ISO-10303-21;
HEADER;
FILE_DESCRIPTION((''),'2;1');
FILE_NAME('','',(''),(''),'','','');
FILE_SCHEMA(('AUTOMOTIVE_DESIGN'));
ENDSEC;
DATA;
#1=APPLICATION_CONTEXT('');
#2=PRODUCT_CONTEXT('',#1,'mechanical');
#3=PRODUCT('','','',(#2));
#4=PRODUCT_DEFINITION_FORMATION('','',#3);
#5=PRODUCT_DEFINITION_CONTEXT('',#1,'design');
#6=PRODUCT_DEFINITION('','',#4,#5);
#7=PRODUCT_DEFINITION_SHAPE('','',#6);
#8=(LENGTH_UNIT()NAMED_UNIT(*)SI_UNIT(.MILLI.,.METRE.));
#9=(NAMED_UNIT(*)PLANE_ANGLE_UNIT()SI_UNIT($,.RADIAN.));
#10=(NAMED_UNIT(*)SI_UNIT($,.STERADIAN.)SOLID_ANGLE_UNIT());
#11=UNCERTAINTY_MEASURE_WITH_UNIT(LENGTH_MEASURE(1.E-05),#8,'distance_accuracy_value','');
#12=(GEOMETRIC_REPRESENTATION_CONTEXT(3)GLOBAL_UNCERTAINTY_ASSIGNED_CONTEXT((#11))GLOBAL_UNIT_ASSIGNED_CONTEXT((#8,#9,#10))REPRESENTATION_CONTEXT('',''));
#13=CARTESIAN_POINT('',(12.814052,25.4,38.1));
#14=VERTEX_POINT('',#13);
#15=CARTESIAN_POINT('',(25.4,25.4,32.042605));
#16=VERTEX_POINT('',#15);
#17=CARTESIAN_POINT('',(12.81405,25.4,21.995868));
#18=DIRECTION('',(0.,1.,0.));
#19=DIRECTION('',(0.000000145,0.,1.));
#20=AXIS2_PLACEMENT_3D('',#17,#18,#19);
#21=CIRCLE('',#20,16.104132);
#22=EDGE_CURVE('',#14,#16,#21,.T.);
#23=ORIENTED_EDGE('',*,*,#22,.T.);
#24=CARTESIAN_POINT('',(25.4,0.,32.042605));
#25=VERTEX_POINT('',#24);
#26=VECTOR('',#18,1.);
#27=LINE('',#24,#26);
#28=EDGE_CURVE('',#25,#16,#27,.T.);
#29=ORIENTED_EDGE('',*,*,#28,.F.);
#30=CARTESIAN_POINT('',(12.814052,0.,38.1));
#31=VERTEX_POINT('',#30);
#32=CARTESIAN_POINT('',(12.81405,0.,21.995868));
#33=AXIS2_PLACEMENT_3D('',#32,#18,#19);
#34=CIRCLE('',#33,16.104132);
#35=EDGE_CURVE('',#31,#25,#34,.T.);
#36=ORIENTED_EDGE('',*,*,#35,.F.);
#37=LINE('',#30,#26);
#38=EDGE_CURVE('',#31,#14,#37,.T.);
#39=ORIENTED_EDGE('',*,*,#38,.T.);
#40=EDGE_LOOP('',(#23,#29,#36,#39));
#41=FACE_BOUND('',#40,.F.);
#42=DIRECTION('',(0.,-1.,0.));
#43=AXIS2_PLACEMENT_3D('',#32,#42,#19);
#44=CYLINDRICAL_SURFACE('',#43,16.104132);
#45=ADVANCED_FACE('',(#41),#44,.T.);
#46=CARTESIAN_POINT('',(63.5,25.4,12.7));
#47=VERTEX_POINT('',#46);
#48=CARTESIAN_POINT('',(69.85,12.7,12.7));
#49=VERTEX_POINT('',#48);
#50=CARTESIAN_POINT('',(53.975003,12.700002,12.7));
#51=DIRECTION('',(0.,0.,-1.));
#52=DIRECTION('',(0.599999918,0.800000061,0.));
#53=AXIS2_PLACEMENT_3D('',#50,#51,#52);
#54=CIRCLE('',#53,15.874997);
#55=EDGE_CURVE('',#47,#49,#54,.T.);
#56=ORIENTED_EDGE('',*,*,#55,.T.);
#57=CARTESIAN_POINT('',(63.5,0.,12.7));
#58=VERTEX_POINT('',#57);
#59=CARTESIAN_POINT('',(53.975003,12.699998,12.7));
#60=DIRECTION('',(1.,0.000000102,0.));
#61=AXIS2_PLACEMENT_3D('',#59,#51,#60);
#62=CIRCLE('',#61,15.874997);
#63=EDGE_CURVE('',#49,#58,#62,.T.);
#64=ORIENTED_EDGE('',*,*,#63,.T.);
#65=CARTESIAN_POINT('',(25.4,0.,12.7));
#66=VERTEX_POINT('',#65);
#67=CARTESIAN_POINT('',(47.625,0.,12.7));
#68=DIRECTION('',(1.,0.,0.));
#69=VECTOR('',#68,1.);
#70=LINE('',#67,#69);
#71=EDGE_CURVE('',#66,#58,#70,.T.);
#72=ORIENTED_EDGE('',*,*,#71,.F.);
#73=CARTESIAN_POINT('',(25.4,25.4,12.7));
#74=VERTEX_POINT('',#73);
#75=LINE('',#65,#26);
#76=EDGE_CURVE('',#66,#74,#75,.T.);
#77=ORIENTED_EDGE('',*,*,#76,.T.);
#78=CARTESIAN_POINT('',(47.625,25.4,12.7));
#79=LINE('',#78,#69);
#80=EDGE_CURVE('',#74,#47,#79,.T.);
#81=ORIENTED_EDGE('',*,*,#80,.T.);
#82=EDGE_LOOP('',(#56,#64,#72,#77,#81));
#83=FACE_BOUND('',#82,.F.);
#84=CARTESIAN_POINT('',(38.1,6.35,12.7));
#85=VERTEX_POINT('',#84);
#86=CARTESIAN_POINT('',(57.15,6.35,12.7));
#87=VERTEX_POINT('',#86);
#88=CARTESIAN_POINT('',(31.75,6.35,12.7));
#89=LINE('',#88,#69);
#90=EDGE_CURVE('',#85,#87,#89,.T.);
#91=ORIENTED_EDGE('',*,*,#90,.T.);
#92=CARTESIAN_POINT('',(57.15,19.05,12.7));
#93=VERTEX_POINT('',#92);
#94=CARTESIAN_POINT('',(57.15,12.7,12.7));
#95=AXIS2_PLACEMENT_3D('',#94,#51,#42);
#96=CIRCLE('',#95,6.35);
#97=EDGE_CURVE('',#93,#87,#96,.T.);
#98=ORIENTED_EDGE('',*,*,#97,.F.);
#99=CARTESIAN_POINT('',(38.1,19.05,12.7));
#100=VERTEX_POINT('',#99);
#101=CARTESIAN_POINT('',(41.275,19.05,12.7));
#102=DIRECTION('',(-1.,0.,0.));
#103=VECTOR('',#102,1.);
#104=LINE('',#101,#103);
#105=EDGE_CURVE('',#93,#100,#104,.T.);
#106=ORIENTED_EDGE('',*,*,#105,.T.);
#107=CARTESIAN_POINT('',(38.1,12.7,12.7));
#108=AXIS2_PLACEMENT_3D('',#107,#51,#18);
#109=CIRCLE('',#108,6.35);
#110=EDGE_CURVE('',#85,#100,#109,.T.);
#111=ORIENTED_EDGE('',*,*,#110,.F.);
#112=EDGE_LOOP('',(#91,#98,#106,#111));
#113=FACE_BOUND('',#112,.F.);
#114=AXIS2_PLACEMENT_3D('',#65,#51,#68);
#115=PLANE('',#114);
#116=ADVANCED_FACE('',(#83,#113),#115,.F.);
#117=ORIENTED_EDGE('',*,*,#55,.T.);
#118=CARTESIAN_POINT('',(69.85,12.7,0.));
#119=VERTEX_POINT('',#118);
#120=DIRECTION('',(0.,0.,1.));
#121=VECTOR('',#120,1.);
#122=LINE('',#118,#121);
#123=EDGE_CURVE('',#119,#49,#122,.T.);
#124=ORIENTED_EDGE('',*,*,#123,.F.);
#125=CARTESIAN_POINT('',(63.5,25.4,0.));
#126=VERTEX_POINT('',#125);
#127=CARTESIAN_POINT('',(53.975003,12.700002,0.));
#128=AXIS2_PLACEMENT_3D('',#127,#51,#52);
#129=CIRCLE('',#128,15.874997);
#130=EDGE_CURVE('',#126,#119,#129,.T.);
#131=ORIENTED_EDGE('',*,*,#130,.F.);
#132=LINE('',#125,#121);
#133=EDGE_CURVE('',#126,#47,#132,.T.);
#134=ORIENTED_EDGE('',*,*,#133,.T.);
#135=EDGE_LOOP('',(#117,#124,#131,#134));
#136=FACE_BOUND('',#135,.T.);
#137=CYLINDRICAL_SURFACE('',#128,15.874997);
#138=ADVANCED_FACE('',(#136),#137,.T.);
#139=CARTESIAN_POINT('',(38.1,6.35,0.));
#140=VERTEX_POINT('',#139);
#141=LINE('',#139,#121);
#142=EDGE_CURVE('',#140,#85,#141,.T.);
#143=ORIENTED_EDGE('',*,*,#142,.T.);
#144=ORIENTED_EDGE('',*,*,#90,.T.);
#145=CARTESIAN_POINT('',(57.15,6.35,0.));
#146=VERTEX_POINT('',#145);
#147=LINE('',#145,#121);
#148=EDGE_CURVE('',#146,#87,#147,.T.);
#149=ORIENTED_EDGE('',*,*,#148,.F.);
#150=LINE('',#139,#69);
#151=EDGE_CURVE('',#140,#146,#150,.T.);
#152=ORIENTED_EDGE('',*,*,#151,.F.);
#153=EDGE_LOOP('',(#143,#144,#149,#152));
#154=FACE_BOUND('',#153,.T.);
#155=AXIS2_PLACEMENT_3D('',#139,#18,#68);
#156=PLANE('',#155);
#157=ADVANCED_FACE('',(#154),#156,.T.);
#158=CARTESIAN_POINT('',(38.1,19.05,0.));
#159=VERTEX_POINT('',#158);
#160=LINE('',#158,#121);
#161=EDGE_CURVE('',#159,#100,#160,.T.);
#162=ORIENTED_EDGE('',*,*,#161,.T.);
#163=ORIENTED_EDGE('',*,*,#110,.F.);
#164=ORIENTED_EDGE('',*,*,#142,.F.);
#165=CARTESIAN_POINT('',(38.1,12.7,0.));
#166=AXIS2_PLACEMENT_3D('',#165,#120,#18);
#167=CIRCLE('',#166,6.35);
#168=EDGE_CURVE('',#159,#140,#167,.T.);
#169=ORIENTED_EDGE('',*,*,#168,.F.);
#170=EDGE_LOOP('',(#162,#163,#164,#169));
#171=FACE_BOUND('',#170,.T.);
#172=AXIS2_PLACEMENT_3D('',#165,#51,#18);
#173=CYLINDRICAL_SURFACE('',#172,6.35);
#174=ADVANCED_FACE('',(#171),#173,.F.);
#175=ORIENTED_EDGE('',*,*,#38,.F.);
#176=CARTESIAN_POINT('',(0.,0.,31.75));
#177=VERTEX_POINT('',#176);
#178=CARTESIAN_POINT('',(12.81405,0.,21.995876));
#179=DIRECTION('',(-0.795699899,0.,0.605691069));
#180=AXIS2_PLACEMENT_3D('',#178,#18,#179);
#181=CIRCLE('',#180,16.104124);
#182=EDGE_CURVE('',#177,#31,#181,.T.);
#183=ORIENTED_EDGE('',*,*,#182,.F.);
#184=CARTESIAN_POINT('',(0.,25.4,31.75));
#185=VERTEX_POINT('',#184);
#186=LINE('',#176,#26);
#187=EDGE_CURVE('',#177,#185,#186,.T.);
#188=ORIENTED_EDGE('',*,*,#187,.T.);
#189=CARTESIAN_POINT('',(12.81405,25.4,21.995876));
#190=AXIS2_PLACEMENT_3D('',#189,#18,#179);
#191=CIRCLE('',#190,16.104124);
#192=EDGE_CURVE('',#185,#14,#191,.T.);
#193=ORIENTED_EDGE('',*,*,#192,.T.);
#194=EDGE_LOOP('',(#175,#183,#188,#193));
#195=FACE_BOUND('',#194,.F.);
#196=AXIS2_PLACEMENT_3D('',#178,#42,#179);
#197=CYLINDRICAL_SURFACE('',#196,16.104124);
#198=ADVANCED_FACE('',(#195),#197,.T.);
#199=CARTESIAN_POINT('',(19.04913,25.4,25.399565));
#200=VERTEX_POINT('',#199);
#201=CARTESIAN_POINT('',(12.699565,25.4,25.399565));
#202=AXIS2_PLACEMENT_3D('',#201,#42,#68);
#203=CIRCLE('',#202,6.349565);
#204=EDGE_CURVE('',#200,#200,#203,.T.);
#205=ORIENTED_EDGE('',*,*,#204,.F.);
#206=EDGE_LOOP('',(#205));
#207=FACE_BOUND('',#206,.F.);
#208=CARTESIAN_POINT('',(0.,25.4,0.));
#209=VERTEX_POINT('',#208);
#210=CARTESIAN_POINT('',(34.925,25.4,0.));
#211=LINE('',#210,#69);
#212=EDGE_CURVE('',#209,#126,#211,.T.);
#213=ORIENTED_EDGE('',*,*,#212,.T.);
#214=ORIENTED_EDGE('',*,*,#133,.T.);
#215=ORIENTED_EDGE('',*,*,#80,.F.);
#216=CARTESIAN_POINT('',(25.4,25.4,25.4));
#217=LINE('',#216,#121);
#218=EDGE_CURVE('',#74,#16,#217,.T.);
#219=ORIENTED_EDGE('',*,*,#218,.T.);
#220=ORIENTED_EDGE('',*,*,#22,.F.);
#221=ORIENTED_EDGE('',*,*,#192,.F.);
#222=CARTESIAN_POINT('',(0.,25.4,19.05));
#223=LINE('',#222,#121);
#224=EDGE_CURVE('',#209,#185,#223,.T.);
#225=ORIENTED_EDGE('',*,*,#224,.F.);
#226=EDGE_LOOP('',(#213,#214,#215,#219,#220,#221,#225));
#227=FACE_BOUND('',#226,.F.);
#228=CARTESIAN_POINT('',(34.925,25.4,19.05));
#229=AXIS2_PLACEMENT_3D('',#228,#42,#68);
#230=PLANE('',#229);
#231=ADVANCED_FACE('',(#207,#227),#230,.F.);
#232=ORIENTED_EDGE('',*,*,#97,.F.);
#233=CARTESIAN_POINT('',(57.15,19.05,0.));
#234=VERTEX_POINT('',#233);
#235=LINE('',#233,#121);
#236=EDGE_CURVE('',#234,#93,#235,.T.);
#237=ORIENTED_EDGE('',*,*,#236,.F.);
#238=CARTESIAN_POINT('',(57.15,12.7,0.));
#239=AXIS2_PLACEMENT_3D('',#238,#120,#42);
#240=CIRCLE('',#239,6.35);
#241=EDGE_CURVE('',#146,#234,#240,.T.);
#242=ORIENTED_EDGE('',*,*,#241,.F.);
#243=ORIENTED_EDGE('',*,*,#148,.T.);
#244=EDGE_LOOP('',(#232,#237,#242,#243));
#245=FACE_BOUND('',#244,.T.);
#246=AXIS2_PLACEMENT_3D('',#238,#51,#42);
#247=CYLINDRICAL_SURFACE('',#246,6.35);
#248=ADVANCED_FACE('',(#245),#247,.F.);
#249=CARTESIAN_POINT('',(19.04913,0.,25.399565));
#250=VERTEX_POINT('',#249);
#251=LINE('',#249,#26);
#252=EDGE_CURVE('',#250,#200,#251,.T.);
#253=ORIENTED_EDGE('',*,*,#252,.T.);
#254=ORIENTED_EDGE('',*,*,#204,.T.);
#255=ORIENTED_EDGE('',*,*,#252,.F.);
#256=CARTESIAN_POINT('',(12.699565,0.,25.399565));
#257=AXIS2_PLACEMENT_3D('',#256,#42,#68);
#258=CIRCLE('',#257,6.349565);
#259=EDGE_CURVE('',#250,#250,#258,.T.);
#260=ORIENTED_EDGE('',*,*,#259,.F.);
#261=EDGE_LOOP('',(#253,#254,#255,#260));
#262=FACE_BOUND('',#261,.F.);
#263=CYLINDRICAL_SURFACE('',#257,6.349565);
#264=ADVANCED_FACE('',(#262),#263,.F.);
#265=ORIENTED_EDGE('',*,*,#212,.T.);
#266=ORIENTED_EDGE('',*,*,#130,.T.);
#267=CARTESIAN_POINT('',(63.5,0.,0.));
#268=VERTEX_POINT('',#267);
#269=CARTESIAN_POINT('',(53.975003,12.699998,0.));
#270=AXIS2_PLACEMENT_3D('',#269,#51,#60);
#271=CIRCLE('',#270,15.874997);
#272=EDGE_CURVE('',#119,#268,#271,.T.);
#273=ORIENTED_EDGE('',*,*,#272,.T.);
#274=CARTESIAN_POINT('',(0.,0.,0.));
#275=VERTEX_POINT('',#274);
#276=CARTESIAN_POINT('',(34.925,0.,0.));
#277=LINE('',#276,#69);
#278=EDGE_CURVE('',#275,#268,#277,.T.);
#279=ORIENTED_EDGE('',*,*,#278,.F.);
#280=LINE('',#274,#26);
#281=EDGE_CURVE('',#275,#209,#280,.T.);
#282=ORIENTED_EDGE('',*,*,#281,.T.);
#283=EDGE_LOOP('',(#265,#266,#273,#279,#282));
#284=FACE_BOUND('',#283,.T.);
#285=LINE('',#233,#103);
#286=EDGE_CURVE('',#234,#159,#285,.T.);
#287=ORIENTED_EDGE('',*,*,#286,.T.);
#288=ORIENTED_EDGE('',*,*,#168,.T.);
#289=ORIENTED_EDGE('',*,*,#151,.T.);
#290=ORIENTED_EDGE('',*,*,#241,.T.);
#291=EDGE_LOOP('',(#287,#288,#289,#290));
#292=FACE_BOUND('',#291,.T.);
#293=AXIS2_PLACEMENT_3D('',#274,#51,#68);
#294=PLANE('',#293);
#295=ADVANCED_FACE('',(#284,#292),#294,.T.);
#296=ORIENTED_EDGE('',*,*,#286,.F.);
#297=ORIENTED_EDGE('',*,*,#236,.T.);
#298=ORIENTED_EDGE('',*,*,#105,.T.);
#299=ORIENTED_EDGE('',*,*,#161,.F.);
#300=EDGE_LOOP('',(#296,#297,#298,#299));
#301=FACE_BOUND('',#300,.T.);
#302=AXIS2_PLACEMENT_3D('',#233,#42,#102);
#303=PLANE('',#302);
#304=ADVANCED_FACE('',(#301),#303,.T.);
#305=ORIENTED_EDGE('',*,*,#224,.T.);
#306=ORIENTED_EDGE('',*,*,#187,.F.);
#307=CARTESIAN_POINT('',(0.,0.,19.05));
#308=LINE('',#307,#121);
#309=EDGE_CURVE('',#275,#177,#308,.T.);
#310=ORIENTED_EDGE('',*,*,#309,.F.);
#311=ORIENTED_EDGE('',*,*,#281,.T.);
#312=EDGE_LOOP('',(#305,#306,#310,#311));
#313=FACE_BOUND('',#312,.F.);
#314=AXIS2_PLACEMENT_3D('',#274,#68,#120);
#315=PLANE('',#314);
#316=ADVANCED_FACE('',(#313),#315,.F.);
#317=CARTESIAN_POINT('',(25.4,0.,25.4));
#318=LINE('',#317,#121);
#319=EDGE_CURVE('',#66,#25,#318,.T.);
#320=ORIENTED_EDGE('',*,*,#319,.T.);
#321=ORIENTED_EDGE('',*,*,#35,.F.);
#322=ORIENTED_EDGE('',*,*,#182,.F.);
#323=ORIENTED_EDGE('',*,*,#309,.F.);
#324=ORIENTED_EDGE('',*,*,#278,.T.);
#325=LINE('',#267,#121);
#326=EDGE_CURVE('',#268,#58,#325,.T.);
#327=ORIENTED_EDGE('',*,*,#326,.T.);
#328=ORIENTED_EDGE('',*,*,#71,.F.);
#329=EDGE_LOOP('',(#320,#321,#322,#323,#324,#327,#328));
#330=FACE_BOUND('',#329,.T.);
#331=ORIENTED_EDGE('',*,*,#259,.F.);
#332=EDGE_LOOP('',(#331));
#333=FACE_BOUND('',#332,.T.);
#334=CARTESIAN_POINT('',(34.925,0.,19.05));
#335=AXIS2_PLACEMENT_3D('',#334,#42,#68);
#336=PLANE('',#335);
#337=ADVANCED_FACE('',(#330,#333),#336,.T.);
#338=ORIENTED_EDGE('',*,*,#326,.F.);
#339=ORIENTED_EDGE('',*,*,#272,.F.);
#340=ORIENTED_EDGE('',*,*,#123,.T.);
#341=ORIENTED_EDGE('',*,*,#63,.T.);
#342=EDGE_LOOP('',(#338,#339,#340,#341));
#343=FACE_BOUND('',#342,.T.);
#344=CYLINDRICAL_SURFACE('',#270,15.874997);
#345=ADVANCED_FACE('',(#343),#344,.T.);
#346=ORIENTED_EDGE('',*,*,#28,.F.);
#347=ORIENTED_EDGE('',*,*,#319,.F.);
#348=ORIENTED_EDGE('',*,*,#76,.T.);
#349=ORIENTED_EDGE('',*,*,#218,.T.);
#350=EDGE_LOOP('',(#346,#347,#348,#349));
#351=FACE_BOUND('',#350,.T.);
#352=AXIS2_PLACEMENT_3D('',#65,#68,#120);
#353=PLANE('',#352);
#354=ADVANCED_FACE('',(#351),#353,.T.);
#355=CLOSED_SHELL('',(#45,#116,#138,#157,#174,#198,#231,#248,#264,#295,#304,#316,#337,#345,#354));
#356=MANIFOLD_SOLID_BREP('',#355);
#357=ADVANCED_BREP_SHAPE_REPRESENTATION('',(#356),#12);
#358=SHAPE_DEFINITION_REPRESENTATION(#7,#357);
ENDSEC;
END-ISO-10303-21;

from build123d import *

# Parameters (mm, degrees)
F0_W      = 69.85
F0_H      = 38.1
F1_DEPTH  = 25.4
F2_W      = 44.45
F2_H      = 25.4
F3_DEPTH  = 25.4
F5_DEPTH  = 25.4
F7_DEPTH  = 25.4
F9_DEPTH  = 25.4
F10_R     = 6.349565
F11_DEPTH = 25.4


with BuildPart() as f1:
    # F0 (on Front) → F1 (new body)
    with BuildSketch(Plane.XZ):
        with Locations((34.925, 19.05)):
            Rectangle(F0_W, F0_H)
    extrude(amount=-F1_DEPTH)

    # F2 (on Front) → F3 (cut)
    with BuildSketch(Plane.XZ):
        with Locations((47.625, 25.4)):
            Rectangle(F2_W, F2_H)
    extrude(amount=-F3_DEPTH, mode=Mode.SUBTRACT)

    # F4 (on Top) → F5 (cut)
    with BuildSketch(Plane.XY):
        with BuildLine():
            ThreePointArc((63.5, 25.4), (68.174032, 19.799516), (69.85, 12.7))
            Line((69.85, 12.7), (69.85, 25.4))
            Line((69.85, 25.4), (63.5, 25.4))
        make_face()
        with BuildLine():
            ThreePointArc((69.85, 12.7), (68.174032, 5.600484), (63.5, 0))
            Line((63.5, 0), (69.85, 0))
            Line((69.85, 0), (69.85, 12.7))
        make_face()
    extrude(amount=F5_DEPTH, mode=Mode.SUBTRACT)

    # F6 (on Front) → F7 (cut)
    with BuildSketch(Plane.XZ):
        with BuildLine():
            ThreePointArc((0, 31.75), (5.663485, 36.425437), (12.814052, 38.1))
            Line((12.814052, 38.1), (0, 38.1))
            Line((0, 38.1), (0, 31.75))
        make_face()
        with BuildLine():
            ThreePointArc((12.814052, 38.1), (19.797928, 36.506847), (25.4, 32.042605))
            Line((25.4, 32.042605), (25.4, 38.1))
            Line((25.4, 38.1), (12.814052, 38.1))
        make_face()
    extrude(amount=-F7_DEPTH, mode=Mode.SUBTRACT)

    # F8 (on Top) → F9 (cut)
    with BuildSketch(Plane.XY):
        with BuildLine():
            Line((57.15, 19.05), (38.1, 19.05))
            ThreePointArc((38.1, 19.05), (31.75, 12.7), (38.1, 6.35))
            Line((38.1, 6.35), (57.15, 6.35))
            ThreePointArc((57.15, 6.35), (63.5, 12.7), (57.15, 19.05))
        make_face()
    extrude(amount=F9_DEPTH, mode=Mode.SUBTRACT)

    # F10 (on Front) → F11 (cut)
    with BuildSketch(Plane.XZ):
        with Locations((12.699565, 25.399565)):
            Circle(F10_R)
    extrude(amount=-F11_DEPTH, mode=Mode.SUBTRACT)


solid = f1.part
